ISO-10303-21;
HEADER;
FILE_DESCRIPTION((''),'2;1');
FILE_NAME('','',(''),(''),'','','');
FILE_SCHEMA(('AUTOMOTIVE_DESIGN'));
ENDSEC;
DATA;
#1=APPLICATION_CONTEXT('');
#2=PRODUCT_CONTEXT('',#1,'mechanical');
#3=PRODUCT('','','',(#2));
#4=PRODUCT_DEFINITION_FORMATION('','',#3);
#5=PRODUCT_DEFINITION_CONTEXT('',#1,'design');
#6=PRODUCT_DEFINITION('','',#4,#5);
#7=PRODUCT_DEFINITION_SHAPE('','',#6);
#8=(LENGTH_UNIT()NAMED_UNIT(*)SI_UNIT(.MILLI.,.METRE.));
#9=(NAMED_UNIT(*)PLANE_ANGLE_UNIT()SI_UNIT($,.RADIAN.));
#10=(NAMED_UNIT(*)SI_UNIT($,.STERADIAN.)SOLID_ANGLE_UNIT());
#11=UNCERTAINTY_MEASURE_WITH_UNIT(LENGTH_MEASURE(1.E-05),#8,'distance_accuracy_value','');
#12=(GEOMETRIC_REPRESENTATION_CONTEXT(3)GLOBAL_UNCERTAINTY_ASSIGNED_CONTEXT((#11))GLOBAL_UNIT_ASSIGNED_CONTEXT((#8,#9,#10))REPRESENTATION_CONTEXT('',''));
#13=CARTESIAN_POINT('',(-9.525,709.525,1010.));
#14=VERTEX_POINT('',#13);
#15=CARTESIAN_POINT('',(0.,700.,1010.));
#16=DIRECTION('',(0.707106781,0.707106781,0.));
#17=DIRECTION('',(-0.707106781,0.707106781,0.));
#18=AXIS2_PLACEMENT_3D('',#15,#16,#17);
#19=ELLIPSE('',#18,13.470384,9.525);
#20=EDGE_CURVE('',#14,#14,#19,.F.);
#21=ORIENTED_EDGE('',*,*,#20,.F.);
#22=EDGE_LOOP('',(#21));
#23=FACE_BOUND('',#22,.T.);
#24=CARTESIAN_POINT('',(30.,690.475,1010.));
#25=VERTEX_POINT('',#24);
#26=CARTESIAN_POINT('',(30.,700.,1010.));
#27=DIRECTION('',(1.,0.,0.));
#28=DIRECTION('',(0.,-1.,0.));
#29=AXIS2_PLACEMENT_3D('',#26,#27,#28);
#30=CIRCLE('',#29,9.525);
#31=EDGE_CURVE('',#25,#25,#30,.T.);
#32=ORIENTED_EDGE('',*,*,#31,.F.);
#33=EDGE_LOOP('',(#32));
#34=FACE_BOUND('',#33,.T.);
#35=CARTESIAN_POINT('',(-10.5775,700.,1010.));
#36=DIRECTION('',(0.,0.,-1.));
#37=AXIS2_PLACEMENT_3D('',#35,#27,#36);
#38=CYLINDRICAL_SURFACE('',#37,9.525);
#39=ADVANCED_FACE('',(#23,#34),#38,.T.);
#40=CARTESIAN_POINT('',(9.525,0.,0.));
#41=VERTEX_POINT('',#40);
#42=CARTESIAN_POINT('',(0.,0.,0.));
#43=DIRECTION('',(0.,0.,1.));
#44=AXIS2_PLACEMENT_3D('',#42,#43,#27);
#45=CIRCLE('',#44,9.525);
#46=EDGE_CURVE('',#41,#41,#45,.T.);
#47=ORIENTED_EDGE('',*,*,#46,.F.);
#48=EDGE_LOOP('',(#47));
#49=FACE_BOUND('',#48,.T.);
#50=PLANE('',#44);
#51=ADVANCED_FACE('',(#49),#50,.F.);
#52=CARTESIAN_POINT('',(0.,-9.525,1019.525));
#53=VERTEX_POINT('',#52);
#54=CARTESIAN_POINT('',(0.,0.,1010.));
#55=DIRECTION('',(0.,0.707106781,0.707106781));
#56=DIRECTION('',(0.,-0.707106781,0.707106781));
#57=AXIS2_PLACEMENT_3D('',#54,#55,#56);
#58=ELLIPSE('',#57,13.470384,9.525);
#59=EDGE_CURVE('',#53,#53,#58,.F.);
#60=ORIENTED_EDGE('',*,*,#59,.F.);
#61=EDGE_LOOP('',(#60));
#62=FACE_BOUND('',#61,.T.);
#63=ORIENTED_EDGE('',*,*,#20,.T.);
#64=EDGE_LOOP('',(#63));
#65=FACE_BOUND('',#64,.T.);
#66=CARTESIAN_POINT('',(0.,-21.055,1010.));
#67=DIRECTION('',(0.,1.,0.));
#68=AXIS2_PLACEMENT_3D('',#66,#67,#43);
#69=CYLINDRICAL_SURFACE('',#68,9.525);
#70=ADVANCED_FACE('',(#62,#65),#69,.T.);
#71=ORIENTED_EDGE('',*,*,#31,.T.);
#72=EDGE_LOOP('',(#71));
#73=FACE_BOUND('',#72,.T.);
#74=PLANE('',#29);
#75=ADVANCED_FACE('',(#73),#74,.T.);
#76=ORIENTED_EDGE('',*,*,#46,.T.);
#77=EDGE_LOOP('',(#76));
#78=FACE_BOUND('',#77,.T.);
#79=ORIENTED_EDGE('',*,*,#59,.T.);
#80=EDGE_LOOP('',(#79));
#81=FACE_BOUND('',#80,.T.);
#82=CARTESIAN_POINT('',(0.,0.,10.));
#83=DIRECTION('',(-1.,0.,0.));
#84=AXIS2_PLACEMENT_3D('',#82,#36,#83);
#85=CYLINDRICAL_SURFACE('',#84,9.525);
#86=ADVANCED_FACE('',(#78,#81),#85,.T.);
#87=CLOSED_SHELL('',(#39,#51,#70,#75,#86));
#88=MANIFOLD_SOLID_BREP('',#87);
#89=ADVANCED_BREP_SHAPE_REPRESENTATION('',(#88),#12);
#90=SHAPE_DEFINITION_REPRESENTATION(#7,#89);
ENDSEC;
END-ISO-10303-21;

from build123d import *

# Parameters (mm, degrees)
CROQUIS1_R              = 9.525
SALIENTE_EXTRUIR1_DEPTH = 10
CROQUIS2_R              = 9.525


with BuildPart() as part:
    # Croquis1 → Saliente-Extruir1 (new body)
    with BuildSketch(Plane.XY):
        Circle(CROQUIS1_R)
    extrude(amount=SALIENTE_EXTRUIR1_DEPTH)

    # Barrer1: sweep along a curve in space
    with BuildLine() as barrer1_path:
        Line((0, 0, 10), (0, 0, 1010))
        Line((0, 0, 1010), (0, 700, 1010))
        Line((0, 700, 1010), (30, 700, 1010))
    # Croquis2 → Barrer1 (sweep)
    with BuildSketch(Plane.XY.offset(10)):
        Circle(CROQUIS2_R)
    sweep(path=barrer1_path.line, transition=Transition.RIGHT)


solid = part.part
